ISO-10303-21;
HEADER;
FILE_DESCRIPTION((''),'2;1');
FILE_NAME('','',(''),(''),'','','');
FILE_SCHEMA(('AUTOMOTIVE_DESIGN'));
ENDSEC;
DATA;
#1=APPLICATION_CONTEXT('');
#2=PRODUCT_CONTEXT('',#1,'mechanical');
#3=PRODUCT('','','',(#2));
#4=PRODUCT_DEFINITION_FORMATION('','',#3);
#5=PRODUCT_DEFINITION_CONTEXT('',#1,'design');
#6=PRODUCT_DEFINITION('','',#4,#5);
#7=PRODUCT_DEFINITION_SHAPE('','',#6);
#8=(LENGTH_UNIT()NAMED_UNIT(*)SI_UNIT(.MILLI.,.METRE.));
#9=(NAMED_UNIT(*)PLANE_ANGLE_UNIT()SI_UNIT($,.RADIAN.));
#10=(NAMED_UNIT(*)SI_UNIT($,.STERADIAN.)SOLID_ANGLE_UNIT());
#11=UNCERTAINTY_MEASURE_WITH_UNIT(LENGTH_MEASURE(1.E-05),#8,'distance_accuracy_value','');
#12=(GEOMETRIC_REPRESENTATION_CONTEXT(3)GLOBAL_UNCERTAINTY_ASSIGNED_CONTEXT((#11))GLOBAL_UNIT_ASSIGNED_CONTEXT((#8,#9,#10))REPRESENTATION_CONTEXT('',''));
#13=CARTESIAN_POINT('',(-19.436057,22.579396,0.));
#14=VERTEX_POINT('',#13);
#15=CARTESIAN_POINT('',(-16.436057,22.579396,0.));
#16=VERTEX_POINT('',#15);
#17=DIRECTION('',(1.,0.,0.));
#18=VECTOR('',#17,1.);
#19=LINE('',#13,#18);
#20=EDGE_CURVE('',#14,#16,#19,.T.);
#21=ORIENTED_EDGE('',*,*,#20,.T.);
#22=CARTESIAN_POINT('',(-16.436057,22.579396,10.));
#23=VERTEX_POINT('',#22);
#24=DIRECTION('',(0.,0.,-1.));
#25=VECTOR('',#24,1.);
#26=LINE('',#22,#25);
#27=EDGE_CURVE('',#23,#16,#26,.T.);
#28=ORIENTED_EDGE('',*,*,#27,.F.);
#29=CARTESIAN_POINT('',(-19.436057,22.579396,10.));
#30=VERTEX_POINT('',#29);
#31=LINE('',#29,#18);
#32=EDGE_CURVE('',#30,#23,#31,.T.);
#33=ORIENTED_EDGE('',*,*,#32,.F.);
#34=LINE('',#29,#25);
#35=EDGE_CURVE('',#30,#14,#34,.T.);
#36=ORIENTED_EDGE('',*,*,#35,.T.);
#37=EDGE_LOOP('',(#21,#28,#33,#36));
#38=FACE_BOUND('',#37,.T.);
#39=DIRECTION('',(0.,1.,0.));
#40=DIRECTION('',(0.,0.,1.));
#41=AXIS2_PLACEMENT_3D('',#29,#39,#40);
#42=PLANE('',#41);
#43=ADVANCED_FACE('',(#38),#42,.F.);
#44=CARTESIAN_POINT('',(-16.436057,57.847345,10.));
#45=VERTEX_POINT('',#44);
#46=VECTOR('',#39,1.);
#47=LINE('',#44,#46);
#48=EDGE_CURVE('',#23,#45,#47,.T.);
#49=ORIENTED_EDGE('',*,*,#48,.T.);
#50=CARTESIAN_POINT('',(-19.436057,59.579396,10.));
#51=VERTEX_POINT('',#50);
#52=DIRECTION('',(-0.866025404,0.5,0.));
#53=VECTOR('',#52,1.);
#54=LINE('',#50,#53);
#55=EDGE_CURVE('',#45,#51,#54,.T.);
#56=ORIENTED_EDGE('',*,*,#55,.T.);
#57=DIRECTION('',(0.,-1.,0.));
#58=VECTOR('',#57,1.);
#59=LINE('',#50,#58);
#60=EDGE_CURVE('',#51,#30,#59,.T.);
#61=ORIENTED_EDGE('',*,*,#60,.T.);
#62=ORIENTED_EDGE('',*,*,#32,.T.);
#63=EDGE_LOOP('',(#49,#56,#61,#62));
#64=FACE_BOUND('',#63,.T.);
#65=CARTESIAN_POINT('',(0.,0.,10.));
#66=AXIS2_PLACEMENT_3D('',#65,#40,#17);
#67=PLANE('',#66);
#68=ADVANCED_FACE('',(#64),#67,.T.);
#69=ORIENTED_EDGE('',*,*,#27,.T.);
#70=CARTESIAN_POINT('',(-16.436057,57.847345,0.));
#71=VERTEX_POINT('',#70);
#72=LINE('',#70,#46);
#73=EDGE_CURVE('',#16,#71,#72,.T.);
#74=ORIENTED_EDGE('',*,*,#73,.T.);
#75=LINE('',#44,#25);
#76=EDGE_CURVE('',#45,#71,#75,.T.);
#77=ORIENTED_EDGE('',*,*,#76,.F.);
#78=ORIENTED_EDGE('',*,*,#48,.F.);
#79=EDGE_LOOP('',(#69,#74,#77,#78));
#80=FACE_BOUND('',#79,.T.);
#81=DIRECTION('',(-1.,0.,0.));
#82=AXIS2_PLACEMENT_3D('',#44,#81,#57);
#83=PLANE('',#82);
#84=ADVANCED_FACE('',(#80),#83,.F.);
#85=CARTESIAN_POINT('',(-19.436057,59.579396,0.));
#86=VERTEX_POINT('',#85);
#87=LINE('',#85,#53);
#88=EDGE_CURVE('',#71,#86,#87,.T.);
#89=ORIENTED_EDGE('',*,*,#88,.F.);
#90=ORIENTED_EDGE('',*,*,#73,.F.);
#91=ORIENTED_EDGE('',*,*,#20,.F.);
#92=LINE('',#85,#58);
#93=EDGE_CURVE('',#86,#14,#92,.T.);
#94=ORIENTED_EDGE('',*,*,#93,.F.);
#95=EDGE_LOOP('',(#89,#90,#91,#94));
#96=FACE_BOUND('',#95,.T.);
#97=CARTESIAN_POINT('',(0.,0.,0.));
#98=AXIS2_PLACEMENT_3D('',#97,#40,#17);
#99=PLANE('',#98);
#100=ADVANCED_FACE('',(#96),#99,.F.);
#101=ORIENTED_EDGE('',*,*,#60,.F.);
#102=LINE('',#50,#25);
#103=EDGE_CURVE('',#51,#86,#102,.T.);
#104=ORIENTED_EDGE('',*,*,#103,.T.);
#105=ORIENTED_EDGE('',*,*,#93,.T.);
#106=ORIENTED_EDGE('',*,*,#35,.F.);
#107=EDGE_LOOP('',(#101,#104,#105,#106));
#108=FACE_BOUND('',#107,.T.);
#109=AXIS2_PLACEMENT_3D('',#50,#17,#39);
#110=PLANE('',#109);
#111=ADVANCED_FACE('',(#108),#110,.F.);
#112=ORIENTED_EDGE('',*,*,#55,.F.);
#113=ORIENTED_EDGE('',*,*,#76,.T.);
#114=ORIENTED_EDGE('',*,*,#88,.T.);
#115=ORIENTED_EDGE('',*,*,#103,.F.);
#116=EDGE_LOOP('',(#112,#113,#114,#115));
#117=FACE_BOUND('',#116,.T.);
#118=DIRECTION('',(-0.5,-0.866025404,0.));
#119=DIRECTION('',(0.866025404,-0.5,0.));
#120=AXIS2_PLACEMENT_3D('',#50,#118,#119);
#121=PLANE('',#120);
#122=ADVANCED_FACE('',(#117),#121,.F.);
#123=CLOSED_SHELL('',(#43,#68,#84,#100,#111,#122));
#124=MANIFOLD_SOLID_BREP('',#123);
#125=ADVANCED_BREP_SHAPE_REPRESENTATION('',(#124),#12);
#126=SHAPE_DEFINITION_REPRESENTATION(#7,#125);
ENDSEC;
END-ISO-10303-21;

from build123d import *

# Parameters (mm, degrees)
BOSS_EXTRUDE1_DEPTH = 10


with BuildPart() as part:
    # Sketch1 → Boss-Extrude1 (new body)
    with BuildSketch(Plane.XY):
        Polygon((-19.436056893, 59.579396178), (-16.436056893, 57.84734537), (-16.436056893, 22.579396178), (-19.436056893, 22.579396178), align=None)
    extrude(amount=BOSS_EXTRUDE1_DEPTH)


solid = part.part
